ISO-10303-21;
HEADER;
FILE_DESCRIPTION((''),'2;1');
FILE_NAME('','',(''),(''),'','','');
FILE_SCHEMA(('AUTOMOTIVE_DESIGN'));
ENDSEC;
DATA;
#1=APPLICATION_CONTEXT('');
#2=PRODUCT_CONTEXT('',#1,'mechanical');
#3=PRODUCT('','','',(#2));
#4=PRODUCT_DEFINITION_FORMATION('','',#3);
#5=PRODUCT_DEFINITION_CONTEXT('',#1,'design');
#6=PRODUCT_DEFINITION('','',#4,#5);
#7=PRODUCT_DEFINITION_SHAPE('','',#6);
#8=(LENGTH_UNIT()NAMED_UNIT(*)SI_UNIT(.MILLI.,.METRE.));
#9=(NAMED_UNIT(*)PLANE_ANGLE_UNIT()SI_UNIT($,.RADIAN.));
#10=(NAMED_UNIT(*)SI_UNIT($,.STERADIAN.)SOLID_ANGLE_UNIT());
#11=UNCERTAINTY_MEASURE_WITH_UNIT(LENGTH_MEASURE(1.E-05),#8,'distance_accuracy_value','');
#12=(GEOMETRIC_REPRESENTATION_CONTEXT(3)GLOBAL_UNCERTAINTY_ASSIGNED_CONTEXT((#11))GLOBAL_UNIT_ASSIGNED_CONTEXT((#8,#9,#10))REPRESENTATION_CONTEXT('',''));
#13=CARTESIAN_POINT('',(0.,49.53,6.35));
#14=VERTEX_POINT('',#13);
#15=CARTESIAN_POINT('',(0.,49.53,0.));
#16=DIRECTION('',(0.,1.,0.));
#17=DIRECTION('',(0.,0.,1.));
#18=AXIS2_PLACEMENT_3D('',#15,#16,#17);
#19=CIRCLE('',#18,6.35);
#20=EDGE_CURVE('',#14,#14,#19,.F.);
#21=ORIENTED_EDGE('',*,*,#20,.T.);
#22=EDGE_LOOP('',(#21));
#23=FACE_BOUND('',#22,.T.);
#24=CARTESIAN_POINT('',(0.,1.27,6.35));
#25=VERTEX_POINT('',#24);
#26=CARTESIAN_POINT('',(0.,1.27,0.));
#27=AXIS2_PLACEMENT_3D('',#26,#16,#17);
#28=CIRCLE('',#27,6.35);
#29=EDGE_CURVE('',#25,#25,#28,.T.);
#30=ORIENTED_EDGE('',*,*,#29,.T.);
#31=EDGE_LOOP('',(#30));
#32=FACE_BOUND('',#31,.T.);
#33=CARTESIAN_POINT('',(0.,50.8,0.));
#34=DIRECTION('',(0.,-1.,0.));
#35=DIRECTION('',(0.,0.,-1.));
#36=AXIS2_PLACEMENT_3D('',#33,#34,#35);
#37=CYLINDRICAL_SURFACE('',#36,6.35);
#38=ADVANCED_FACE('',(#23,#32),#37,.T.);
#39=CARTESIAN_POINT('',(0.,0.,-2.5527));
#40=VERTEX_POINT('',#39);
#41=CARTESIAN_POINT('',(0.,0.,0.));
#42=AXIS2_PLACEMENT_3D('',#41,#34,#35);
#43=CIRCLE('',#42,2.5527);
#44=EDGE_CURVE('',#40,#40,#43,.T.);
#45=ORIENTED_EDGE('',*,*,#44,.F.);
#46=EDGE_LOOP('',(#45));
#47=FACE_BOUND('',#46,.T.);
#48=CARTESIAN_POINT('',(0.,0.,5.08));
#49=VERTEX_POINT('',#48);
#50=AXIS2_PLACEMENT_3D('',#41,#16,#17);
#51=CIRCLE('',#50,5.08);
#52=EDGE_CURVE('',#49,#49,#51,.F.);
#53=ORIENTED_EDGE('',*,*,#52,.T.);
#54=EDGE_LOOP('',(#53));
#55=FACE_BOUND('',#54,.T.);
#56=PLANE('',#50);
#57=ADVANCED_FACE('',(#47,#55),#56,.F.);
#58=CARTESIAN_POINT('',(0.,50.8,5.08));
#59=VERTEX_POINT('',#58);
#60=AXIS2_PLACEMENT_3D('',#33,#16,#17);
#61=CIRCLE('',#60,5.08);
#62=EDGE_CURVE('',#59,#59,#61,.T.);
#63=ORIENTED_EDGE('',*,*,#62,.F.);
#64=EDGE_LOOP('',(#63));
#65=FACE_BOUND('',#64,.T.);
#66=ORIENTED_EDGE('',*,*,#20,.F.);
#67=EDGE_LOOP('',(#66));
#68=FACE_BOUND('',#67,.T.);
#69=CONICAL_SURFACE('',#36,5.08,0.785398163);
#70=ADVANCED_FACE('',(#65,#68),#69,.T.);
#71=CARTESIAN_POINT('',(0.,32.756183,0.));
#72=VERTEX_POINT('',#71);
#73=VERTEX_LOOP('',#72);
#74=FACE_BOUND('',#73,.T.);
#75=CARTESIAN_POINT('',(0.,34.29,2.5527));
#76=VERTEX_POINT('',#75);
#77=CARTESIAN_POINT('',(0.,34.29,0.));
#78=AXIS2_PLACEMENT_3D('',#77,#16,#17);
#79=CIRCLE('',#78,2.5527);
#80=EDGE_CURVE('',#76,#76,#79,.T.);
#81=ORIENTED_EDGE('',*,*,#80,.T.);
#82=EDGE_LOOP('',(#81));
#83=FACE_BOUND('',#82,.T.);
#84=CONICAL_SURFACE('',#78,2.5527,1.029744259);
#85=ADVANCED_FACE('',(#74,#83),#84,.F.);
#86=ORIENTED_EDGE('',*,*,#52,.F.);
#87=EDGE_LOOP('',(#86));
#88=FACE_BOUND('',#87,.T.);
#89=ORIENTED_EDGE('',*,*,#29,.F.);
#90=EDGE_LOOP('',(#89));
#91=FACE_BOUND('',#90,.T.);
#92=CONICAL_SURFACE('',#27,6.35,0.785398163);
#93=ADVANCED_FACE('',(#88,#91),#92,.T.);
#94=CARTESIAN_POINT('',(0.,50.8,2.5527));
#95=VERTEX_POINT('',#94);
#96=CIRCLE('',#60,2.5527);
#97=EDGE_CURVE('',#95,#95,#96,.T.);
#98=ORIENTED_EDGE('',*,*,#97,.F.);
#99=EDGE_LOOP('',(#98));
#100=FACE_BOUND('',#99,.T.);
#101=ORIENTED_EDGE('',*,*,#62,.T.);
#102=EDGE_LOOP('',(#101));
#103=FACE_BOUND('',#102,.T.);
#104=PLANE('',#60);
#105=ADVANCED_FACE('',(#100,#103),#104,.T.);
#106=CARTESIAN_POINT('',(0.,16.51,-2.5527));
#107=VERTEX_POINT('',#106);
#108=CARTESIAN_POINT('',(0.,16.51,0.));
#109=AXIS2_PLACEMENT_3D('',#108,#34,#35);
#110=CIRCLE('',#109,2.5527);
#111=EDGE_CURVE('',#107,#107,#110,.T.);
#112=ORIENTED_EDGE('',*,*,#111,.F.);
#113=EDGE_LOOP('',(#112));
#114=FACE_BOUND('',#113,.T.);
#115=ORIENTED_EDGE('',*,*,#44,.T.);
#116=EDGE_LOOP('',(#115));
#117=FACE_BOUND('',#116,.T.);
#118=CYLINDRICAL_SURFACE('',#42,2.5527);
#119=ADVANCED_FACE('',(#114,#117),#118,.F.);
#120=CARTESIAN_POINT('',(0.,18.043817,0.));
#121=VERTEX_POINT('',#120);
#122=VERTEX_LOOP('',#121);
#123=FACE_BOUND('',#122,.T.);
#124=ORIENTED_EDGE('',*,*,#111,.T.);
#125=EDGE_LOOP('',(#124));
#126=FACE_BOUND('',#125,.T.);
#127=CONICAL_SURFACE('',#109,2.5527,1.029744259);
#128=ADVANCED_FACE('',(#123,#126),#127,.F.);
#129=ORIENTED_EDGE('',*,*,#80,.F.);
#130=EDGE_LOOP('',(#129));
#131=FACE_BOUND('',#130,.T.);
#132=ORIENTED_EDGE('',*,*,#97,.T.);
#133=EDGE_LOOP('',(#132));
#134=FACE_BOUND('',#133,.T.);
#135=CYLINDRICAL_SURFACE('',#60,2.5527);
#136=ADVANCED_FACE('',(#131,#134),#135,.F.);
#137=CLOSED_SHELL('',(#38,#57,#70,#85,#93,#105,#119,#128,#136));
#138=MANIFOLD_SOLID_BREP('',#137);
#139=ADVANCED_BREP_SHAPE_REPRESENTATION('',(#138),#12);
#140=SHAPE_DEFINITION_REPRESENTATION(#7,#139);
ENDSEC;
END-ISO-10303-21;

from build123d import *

# Parameters (mm, degrees)
SKETCH1_R                   = 6.35
BOSS_EXTRUDE1_DEPTH         = 50.8
CHAMFER1_SIZE               = 1.27
F_1_4_20_TAPPED_HOLE1_D     = 5.1054
F_1_4_20_TAPPED_HOLE1_DEPTH = 16.51
F_1_4_20_TAPPED_HOLE1_TIP   = 1.533816902
F_1_4_20_TAPPED_HOLE2_D     = 5.1054
F_1_4_20_TAPPED_HOLE2_DEPTH = 16.51
F_1_4_20_TAPPED_HOLE2_TIP   = 1.533816902


with BuildPart() as part:
    # Sketch1 → Boss-Extrude1 (new body)
    with BuildSketch(Plane(origin=(0, 0, 0), x_dir=(1, 0, 0), z_dir=(0, 1, 0))):
        Circle(SKETCH1_R)
    extrude(amount=BOSS_EXTRUDE1_DEPTH)

    # Chamfer1
    chamfer1_edges = [part.edges().sort_by_distance(p)[0] for p in [
        (-6.35, 0, 0),
        (-6.35, 50.8, 0),
    ]]
    chamfer(chamfer1_edges, length=CHAMFER1_SIZE)

    # 1/4-20 Tapped Hole1
    with Locations(Plane(origin=(0, 0, 0), x_dir=(-1, 0, 0), z_dir=(0, -1, 0))):
        with Locations((0, 0)):
            Hole(F_1_4_20_TAPPED_HOLE1_D / 2, depth=F_1_4_20_TAPPED_HOLE1_DEPTH)
            with Locations((0, 0, -(F_1_4_20_TAPPED_HOLE1_DEPTH + F_1_4_20_TAPPED_HOLE1_TIP / 2))):  # 118° drill point
                Cone(0, F_1_4_20_TAPPED_HOLE1_D / 2, F_1_4_20_TAPPED_HOLE1_TIP, mode=Mode.SUBTRACT)

    # 1/4-20 Tapped Hole2
    with Locations(Plane(origin=(0, 50.8, 0), x_dir=(1, 0, 0), z_dir=(0, 1, 0))):
        with Locations((0, 0)):
            Hole(F_1_4_20_TAPPED_HOLE2_D / 2, depth=F_1_4_20_TAPPED_HOLE2_DEPTH)
            with Locations((0, 0, -(F_1_4_20_TAPPED_HOLE2_DEPTH + F_1_4_20_TAPPED_HOLE2_TIP / 2))):  # 118° drill point
                Cone(0, F_1_4_20_TAPPED_HOLE2_D / 2, F_1_4_20_TAPPED_HOLE2_TIP, mode=Mode.SUBTRACT)


solid = part.part
